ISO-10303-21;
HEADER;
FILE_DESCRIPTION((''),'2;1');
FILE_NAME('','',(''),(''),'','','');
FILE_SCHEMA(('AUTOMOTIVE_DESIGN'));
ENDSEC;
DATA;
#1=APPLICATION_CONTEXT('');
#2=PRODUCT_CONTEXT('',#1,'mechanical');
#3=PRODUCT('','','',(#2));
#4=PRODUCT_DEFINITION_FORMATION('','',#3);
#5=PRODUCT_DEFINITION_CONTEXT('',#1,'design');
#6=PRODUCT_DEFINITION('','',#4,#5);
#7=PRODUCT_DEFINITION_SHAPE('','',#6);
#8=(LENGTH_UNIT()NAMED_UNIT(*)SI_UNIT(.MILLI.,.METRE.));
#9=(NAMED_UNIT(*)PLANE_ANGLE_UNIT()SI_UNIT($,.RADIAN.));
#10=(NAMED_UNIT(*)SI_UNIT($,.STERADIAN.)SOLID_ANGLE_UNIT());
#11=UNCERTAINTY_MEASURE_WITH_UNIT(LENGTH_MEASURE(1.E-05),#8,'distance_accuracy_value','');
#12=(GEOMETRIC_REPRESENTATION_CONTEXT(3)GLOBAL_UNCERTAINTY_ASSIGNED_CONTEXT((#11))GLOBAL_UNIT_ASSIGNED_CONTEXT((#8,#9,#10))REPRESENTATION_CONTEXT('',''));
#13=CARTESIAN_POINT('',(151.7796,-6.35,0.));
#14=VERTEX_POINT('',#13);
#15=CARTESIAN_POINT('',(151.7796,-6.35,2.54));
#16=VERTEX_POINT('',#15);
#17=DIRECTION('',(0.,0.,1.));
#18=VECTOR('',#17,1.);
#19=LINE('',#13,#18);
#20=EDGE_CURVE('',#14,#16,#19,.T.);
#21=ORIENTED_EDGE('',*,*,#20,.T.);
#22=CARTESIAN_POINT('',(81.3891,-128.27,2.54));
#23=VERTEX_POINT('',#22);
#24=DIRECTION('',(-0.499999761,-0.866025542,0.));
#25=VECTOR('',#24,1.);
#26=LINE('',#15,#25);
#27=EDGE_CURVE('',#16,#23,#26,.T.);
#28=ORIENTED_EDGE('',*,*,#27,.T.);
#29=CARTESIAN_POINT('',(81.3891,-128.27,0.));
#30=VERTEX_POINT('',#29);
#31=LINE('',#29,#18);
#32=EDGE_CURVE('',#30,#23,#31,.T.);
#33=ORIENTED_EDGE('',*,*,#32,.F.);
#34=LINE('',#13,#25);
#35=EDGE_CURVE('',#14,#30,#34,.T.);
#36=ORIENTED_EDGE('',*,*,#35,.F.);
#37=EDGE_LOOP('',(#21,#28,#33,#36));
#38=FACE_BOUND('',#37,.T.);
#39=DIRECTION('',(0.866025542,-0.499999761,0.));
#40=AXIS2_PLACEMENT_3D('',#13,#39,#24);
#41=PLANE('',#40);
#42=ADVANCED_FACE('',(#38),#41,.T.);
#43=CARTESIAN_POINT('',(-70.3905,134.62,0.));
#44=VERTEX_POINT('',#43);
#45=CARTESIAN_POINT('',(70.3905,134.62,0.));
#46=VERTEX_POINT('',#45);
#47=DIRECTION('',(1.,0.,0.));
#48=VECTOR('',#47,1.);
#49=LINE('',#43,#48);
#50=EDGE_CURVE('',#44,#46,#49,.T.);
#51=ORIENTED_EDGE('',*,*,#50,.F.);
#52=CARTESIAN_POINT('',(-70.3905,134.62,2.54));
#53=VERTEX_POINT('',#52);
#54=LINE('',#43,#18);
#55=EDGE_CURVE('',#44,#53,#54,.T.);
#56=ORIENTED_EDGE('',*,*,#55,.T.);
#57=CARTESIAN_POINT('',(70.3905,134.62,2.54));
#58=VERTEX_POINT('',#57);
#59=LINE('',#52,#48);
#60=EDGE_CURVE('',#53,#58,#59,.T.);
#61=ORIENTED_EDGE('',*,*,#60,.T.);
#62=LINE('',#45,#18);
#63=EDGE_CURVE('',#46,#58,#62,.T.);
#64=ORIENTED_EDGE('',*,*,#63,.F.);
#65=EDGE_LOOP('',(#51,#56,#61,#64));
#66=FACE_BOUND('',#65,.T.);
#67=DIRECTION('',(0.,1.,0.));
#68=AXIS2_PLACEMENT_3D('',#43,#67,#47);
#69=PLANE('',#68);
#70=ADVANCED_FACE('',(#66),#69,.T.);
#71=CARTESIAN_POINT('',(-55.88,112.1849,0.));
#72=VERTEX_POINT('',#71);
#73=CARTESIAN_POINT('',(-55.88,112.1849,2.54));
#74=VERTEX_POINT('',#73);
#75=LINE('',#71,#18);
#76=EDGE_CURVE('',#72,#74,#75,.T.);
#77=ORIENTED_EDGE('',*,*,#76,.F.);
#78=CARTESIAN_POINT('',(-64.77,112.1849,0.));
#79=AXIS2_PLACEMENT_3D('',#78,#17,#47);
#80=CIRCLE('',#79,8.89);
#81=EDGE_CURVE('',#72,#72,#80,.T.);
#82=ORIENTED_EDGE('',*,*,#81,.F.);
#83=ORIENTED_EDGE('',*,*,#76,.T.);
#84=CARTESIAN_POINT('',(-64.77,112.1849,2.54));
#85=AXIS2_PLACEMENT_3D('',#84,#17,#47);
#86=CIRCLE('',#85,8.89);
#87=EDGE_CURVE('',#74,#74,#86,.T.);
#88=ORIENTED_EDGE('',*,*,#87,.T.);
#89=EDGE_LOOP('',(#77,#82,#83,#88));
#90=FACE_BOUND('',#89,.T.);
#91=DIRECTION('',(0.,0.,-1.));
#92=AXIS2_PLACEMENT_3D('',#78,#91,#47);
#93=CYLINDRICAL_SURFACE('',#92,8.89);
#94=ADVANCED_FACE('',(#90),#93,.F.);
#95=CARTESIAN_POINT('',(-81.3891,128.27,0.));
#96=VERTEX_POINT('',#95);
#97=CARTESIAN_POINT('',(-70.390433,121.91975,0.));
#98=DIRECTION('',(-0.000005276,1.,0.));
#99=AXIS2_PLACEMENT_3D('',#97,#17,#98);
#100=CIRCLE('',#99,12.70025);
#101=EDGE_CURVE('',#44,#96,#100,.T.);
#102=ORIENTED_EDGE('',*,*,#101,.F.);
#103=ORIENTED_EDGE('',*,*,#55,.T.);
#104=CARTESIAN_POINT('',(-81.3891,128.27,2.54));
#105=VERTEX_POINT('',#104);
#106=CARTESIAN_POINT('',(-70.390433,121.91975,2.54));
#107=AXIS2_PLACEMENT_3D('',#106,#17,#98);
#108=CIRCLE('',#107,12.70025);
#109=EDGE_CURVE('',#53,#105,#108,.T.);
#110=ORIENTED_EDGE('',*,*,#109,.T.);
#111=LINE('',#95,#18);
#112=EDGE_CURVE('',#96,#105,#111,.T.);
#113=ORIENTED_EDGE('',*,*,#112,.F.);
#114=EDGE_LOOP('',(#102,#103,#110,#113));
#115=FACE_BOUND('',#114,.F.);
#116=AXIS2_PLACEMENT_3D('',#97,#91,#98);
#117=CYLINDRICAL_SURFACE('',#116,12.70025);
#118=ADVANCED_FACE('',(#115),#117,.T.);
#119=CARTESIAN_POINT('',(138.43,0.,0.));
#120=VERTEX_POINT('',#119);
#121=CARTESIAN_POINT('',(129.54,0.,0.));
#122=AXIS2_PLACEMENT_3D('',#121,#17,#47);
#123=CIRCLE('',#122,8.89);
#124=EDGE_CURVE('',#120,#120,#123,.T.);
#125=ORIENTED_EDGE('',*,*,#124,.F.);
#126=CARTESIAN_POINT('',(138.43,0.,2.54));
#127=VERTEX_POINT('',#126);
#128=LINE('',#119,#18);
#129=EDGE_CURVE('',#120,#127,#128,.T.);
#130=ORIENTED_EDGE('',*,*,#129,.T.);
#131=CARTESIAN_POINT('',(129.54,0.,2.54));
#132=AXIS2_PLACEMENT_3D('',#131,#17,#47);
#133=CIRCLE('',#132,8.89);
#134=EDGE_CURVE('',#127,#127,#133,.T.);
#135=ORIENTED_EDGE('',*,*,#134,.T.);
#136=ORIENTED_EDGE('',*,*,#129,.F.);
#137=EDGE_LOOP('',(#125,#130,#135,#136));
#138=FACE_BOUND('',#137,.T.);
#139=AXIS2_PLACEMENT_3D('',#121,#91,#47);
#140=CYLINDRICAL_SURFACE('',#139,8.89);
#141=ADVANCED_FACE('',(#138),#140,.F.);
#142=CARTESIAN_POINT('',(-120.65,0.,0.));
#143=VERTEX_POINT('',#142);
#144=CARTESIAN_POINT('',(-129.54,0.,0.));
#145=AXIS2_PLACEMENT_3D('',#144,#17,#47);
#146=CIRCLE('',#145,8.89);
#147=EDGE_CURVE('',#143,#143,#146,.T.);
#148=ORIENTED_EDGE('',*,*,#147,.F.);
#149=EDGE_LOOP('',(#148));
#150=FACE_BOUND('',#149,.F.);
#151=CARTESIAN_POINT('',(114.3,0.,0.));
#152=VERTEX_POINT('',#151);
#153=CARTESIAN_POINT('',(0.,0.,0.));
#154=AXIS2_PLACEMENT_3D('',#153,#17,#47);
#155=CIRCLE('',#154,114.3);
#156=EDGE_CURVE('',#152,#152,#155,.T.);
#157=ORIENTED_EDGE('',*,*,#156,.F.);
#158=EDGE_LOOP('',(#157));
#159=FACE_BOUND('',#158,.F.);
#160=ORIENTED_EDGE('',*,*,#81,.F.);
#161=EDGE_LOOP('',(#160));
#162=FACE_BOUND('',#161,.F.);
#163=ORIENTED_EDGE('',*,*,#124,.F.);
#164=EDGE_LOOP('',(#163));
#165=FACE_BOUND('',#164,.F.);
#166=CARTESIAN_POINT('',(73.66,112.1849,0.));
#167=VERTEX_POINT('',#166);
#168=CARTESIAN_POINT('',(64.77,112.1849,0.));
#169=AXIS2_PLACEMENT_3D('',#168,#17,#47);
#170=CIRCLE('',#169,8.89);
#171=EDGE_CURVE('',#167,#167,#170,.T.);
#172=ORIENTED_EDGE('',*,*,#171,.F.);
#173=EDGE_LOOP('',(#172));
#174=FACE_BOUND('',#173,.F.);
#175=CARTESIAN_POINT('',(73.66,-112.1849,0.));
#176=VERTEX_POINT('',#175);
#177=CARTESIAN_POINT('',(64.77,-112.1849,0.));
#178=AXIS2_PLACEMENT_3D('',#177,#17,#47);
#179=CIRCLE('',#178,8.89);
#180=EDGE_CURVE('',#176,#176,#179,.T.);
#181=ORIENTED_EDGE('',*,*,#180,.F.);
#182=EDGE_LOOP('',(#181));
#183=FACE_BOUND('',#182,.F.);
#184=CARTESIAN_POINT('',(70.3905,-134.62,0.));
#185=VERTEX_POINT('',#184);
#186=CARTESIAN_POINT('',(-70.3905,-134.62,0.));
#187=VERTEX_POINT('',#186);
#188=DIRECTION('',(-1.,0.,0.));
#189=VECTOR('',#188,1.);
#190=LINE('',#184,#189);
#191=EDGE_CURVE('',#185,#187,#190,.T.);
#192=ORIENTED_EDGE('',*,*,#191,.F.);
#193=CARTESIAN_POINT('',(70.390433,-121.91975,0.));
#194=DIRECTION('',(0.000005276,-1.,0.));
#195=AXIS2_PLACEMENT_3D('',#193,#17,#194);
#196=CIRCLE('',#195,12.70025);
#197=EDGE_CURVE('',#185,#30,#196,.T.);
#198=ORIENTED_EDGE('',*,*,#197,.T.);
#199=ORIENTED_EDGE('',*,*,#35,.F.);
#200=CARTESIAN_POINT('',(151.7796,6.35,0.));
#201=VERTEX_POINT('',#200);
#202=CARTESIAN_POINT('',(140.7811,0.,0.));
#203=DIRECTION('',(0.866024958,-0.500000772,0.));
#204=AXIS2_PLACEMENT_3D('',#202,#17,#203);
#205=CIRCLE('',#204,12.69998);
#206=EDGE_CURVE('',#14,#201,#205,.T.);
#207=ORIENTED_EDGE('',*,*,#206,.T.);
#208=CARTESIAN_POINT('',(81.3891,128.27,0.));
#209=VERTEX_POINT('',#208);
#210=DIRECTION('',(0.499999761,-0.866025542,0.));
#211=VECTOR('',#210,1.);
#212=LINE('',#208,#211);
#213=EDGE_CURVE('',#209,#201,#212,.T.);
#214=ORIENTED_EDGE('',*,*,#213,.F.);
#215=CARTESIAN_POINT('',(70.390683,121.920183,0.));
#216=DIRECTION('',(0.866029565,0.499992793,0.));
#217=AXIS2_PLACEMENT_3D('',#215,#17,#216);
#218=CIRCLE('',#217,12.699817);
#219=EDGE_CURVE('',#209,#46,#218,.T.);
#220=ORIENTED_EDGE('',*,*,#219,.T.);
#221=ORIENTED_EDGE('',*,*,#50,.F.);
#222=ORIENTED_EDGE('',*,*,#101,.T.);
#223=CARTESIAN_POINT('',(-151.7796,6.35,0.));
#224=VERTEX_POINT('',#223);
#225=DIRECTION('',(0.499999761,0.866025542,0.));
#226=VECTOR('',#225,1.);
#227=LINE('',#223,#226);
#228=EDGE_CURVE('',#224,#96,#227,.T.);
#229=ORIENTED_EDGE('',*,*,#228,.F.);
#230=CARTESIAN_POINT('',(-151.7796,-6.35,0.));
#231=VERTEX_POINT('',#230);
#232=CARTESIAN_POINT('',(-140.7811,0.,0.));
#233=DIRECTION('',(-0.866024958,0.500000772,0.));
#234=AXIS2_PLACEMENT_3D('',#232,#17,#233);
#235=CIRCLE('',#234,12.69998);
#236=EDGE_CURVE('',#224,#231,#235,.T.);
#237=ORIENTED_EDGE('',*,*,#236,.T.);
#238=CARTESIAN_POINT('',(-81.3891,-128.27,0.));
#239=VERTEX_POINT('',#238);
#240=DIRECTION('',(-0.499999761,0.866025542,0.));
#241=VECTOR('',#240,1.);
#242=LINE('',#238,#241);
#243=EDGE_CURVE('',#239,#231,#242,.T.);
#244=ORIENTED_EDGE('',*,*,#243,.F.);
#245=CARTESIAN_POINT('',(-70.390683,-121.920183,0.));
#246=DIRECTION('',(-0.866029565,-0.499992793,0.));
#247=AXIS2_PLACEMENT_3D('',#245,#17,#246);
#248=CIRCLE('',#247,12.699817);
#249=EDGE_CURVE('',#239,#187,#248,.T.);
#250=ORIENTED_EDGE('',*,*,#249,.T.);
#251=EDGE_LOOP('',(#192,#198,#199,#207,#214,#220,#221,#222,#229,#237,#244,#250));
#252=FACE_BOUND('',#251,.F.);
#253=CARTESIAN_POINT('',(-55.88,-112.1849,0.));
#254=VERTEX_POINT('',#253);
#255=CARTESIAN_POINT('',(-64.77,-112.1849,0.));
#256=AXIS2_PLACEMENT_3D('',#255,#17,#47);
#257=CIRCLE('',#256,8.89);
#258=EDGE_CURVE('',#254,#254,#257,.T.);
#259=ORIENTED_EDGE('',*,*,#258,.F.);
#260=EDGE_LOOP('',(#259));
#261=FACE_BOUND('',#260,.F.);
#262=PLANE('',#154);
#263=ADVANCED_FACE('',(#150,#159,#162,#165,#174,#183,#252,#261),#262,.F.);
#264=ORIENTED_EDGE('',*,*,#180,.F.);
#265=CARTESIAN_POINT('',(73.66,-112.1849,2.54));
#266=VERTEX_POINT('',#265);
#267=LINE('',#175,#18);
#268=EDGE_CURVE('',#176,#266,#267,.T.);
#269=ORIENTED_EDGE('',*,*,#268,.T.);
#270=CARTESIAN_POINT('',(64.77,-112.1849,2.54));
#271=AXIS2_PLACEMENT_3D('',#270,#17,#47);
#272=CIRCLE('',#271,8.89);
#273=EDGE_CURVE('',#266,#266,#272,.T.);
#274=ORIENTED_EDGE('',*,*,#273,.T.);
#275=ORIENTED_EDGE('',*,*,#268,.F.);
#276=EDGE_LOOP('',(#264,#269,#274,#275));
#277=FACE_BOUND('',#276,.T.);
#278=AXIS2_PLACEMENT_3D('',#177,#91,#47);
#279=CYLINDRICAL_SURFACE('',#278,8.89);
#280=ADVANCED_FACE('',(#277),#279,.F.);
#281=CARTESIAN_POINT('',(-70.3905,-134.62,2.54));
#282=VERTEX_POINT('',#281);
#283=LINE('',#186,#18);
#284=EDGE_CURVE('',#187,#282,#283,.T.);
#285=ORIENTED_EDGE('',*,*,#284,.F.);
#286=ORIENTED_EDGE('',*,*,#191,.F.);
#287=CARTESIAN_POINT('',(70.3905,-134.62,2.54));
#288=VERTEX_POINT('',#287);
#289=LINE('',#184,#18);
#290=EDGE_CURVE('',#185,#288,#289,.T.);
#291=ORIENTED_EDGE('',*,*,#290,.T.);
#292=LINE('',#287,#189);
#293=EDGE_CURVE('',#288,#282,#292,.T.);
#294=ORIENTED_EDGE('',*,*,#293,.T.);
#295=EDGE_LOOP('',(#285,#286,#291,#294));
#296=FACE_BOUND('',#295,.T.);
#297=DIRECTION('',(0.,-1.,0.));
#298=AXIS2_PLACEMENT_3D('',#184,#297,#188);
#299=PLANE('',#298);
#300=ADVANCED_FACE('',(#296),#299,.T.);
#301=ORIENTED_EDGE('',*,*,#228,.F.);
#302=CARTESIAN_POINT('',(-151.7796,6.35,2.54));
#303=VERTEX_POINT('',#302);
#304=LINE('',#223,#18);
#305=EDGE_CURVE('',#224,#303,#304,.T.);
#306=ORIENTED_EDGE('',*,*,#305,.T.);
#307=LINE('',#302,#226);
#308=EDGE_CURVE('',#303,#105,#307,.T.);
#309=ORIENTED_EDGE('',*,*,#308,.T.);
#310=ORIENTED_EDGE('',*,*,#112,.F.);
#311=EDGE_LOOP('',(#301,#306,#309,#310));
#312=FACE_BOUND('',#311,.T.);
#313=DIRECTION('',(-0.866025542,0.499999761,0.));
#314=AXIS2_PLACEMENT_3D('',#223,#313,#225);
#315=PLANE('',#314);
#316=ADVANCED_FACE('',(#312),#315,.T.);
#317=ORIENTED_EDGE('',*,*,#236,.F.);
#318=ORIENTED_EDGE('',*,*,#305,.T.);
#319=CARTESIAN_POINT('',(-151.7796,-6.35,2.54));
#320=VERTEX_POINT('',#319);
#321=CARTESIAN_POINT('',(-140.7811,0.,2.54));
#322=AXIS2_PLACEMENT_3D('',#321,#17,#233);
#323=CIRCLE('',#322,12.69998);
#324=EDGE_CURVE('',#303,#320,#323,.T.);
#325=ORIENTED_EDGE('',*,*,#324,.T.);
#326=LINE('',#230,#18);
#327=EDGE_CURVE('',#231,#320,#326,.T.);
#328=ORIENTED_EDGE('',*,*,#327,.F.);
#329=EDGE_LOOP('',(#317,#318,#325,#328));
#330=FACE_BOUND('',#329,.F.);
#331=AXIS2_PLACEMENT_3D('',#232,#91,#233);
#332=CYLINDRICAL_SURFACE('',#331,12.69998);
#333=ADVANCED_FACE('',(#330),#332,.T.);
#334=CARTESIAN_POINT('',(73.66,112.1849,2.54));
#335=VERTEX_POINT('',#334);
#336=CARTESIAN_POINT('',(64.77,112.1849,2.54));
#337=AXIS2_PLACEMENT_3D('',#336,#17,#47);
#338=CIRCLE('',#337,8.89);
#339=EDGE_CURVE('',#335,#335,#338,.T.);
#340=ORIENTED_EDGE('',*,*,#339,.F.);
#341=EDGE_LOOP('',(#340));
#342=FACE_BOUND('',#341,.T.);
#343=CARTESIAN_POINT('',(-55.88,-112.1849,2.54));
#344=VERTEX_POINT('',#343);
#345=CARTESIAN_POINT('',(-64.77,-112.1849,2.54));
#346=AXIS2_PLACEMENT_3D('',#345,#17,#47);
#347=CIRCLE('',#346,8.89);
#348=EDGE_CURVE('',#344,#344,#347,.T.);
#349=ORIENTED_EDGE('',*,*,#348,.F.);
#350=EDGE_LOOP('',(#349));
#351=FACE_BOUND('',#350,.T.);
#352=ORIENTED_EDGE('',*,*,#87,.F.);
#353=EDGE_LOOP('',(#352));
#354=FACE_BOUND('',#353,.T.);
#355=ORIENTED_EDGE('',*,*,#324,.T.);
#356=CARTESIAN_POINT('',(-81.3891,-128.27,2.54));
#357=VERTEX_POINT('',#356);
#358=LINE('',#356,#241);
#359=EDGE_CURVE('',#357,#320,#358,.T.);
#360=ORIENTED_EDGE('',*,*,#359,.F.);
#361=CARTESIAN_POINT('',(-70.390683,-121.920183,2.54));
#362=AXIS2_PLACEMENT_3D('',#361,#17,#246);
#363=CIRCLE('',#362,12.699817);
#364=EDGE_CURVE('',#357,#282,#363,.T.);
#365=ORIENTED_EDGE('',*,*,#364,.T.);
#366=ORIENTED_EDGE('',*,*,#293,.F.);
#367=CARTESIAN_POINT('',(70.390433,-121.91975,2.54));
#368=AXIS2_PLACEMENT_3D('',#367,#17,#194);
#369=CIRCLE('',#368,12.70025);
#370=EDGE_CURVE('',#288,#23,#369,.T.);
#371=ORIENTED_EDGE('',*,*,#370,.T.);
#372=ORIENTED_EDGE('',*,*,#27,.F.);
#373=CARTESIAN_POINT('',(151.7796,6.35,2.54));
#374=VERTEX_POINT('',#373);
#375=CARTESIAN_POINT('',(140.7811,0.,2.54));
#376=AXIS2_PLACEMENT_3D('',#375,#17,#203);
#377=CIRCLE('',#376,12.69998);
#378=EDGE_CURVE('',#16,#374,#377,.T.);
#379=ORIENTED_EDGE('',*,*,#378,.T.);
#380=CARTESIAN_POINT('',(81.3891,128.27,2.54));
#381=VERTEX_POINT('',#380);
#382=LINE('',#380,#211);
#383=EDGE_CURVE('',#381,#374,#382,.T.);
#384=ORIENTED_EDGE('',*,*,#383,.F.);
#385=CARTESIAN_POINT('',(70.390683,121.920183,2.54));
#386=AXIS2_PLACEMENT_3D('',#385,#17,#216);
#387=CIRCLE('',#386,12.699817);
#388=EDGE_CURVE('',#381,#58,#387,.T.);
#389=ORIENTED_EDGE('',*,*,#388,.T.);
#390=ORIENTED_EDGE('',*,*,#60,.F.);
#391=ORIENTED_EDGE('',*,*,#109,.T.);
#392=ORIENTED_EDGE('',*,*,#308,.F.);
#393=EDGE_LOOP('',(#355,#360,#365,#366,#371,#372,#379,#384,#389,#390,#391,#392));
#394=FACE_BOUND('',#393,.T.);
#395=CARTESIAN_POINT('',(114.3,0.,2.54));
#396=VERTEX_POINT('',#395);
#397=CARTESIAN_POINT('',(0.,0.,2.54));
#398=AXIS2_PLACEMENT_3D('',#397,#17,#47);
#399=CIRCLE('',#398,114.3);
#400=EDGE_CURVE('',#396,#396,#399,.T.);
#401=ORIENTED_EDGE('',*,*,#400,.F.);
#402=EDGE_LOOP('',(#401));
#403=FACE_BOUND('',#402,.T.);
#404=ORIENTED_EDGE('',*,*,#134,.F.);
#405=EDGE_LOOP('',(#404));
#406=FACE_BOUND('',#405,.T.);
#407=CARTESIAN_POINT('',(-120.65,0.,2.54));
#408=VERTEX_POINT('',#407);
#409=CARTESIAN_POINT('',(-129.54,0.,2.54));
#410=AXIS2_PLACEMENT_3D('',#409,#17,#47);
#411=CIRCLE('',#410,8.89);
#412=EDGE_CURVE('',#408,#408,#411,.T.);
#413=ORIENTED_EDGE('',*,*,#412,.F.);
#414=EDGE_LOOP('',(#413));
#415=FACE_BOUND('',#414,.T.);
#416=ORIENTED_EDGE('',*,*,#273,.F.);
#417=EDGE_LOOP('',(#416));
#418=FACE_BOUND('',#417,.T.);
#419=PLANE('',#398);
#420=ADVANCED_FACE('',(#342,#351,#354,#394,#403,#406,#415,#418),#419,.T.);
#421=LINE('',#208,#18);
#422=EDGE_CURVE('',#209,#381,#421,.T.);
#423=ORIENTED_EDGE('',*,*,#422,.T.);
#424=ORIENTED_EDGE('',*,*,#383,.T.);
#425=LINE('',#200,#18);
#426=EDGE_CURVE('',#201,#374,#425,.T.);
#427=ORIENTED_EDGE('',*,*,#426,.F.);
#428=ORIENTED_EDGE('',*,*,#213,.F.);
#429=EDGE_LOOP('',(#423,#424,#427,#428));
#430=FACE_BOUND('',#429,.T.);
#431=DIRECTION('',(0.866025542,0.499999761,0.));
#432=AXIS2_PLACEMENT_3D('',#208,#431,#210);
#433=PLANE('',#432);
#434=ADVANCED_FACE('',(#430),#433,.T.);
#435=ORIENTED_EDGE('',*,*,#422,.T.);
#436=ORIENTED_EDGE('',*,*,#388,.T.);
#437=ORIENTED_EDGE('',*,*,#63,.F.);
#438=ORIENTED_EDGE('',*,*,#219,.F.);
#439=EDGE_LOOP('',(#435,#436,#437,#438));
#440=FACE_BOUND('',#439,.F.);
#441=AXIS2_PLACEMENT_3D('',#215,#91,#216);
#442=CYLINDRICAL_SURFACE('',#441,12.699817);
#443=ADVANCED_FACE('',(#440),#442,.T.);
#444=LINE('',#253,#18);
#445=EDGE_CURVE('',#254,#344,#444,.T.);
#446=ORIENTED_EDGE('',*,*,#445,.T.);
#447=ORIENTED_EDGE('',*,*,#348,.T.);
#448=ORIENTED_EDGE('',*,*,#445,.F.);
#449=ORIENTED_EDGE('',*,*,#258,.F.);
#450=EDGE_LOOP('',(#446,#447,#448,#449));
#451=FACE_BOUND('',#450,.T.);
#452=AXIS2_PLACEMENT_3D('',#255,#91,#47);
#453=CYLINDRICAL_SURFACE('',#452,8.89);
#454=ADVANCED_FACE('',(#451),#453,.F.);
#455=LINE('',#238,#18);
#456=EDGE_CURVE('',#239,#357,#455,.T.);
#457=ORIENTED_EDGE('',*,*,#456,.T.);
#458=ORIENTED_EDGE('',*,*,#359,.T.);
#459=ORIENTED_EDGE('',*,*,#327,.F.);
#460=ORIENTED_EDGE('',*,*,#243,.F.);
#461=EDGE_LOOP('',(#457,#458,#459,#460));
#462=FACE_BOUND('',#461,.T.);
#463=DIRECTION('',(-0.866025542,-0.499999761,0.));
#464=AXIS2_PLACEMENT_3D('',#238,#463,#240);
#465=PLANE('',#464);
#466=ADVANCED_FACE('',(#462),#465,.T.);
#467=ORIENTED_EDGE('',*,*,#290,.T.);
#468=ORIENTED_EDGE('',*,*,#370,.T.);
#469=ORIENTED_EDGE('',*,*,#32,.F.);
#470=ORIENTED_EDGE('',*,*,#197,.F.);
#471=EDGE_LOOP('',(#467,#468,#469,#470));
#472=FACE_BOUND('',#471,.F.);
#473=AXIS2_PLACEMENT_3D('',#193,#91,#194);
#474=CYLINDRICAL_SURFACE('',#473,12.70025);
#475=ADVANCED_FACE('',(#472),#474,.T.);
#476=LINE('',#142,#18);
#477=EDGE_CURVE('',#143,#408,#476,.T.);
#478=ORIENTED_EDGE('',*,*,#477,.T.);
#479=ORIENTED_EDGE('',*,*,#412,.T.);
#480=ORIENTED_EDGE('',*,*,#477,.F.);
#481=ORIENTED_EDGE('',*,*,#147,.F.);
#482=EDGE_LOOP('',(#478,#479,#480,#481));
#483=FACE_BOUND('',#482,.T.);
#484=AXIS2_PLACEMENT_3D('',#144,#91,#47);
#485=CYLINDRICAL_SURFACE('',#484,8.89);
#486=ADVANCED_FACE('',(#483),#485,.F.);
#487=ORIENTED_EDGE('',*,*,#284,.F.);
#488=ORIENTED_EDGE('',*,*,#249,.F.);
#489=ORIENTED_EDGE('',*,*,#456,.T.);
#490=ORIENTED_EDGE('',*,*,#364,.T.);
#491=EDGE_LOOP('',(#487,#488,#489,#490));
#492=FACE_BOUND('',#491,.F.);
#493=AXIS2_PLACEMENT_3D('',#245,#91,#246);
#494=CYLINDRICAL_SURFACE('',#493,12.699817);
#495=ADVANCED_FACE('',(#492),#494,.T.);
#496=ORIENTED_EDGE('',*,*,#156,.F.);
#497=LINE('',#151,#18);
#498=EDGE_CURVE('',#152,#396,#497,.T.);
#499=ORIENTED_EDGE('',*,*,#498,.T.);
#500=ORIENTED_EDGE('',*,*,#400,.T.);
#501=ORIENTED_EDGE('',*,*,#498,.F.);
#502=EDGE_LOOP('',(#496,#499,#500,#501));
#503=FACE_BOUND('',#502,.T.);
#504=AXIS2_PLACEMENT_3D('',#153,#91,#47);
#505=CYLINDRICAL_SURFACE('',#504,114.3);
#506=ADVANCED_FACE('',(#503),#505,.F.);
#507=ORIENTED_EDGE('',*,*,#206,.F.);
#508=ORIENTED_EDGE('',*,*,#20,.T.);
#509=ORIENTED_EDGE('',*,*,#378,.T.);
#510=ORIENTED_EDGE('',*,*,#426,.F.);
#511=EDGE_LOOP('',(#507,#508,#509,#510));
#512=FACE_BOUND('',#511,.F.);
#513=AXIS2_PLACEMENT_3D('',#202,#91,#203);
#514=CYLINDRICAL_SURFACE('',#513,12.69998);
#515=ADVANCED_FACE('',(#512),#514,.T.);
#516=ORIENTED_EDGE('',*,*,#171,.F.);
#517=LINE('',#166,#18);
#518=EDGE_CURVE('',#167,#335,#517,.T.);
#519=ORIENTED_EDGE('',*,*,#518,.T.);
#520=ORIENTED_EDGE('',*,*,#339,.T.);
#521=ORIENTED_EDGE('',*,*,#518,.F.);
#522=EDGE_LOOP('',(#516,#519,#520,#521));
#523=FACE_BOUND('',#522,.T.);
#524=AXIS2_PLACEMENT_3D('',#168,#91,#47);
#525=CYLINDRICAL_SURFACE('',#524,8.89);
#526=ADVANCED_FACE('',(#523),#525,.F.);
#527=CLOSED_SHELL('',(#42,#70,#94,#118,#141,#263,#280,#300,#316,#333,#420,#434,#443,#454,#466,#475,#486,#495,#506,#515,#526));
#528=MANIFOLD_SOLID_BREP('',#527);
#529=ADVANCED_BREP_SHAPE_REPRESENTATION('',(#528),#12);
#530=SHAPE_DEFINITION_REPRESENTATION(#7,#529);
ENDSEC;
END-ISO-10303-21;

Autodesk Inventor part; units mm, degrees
ref_plane "YZ Plane" through (0, 0, 0) normal (1, 0, 0) x (0, 1, 0)
ref_plane "XZ Plane" through (0, 0, 0) normal (0, 1, 0) x (-1, 0, 0)
ref_plane "XY Plane" through (0, 0, 0) normal (0, 0, 1) x (1, 0, 0)
sketch "Sketch1" plane through (0, 0, 0) normal (0, 0, 1) x (1, 0, 0)
  line L0 (151.7796, -6.35) -> (81.3891, -128.27)
  line L1 (70.3905, -134.62) -> (-70.3905, -134.62)
  line L2 (-81.3891, -128.27) -> (-151.7796, -6.35)
  line L3 (-151.7796, 6.35) -> (-81.3891, 128.27)
  line L4 (-70.3905, 134.62) -> (70.3905, 134.62)
  line L5 (81.3891, 128.27) -> (151.7796, 6.35)
  arc A0 (-70.3905, 134.62) -> (-81.3891, 128.27) centre (-70.3905, 121.92) ccw
  arc A1 (81.3891, 128.27) -> (70.3905, 134.62) centre (70.3905, 121.92) ccw
  arc A2 (151.7796, -6.35) -> (151.7796, 6.35) centre (140.7811, 0) ccw
  arc A3 (70.3905, -134.62) -> (81.3891, -128.27) centre (70.3905, -121.92) ccw
  arc A4 (-81.3891, -128.27) -> (-70.3905, -134.62) centre (-70.3905, -121.92) ccw
  arc A5 (-151.7796, 6.35) -> (-151.7796, -6.35) centre (-140.7811, 0) ccw
  circle A6 centre (0, 0) radius 129.54 construction
  circle A7 centre (0, 0) radius 114.3
  circle A8 centre (-129.54, 0) radius 8.89
  circle A9 centre (-64.77, -112.1849) radius 8.89
  circle A10 centre (64.77, -112.1849) radius 8.89
  circle A11 centre (129.54, 0) radius 8.89
  circle A12 centre (64.77, 112.1849) radius 8.89
  circle A13 centre (-64.77, 112.1849) radius 8.89
  point P0 (155.4458, 0)
  point P1 (77.7229, -134.62)
  point P2 (-77.7229, -134.62)
  point P3 (-155.4458, 0)
  point P4 (-77.7229, 134.62)
  point P5 (77.7229, 134.62)
  dimension "d2" = 259.08
  dimension "d0" = 269.24
  dimension "d1" = 12.7
  dimension "d3" = 228.6
  dimension "d4" = 17.78
  dimension "d7" = 360
extrude "Extrusion1" add sketch "Sketch1" along normal blind 2.54
equation "\"BendRadius\" = Thickness"
equation "\"BendReliefWidth\" = Thickness"
equation "\"BendReliefDepth\" = 0.5 * Thickness"
equation "\"CornerReliefSize\" = 4 * Thickness"
equation "\"MinimumRemnant\" = 2 * Thickness"
equation "\"TransitionRadius\" = BendRadius"
equation "\"JacobiRadiusSize\" = BendRadius"
equation "\"GapSize\" = Thickness"
equation "\"Thickness\" = 3.048"
properties part number "crankcase gasket" material "Rubber"
